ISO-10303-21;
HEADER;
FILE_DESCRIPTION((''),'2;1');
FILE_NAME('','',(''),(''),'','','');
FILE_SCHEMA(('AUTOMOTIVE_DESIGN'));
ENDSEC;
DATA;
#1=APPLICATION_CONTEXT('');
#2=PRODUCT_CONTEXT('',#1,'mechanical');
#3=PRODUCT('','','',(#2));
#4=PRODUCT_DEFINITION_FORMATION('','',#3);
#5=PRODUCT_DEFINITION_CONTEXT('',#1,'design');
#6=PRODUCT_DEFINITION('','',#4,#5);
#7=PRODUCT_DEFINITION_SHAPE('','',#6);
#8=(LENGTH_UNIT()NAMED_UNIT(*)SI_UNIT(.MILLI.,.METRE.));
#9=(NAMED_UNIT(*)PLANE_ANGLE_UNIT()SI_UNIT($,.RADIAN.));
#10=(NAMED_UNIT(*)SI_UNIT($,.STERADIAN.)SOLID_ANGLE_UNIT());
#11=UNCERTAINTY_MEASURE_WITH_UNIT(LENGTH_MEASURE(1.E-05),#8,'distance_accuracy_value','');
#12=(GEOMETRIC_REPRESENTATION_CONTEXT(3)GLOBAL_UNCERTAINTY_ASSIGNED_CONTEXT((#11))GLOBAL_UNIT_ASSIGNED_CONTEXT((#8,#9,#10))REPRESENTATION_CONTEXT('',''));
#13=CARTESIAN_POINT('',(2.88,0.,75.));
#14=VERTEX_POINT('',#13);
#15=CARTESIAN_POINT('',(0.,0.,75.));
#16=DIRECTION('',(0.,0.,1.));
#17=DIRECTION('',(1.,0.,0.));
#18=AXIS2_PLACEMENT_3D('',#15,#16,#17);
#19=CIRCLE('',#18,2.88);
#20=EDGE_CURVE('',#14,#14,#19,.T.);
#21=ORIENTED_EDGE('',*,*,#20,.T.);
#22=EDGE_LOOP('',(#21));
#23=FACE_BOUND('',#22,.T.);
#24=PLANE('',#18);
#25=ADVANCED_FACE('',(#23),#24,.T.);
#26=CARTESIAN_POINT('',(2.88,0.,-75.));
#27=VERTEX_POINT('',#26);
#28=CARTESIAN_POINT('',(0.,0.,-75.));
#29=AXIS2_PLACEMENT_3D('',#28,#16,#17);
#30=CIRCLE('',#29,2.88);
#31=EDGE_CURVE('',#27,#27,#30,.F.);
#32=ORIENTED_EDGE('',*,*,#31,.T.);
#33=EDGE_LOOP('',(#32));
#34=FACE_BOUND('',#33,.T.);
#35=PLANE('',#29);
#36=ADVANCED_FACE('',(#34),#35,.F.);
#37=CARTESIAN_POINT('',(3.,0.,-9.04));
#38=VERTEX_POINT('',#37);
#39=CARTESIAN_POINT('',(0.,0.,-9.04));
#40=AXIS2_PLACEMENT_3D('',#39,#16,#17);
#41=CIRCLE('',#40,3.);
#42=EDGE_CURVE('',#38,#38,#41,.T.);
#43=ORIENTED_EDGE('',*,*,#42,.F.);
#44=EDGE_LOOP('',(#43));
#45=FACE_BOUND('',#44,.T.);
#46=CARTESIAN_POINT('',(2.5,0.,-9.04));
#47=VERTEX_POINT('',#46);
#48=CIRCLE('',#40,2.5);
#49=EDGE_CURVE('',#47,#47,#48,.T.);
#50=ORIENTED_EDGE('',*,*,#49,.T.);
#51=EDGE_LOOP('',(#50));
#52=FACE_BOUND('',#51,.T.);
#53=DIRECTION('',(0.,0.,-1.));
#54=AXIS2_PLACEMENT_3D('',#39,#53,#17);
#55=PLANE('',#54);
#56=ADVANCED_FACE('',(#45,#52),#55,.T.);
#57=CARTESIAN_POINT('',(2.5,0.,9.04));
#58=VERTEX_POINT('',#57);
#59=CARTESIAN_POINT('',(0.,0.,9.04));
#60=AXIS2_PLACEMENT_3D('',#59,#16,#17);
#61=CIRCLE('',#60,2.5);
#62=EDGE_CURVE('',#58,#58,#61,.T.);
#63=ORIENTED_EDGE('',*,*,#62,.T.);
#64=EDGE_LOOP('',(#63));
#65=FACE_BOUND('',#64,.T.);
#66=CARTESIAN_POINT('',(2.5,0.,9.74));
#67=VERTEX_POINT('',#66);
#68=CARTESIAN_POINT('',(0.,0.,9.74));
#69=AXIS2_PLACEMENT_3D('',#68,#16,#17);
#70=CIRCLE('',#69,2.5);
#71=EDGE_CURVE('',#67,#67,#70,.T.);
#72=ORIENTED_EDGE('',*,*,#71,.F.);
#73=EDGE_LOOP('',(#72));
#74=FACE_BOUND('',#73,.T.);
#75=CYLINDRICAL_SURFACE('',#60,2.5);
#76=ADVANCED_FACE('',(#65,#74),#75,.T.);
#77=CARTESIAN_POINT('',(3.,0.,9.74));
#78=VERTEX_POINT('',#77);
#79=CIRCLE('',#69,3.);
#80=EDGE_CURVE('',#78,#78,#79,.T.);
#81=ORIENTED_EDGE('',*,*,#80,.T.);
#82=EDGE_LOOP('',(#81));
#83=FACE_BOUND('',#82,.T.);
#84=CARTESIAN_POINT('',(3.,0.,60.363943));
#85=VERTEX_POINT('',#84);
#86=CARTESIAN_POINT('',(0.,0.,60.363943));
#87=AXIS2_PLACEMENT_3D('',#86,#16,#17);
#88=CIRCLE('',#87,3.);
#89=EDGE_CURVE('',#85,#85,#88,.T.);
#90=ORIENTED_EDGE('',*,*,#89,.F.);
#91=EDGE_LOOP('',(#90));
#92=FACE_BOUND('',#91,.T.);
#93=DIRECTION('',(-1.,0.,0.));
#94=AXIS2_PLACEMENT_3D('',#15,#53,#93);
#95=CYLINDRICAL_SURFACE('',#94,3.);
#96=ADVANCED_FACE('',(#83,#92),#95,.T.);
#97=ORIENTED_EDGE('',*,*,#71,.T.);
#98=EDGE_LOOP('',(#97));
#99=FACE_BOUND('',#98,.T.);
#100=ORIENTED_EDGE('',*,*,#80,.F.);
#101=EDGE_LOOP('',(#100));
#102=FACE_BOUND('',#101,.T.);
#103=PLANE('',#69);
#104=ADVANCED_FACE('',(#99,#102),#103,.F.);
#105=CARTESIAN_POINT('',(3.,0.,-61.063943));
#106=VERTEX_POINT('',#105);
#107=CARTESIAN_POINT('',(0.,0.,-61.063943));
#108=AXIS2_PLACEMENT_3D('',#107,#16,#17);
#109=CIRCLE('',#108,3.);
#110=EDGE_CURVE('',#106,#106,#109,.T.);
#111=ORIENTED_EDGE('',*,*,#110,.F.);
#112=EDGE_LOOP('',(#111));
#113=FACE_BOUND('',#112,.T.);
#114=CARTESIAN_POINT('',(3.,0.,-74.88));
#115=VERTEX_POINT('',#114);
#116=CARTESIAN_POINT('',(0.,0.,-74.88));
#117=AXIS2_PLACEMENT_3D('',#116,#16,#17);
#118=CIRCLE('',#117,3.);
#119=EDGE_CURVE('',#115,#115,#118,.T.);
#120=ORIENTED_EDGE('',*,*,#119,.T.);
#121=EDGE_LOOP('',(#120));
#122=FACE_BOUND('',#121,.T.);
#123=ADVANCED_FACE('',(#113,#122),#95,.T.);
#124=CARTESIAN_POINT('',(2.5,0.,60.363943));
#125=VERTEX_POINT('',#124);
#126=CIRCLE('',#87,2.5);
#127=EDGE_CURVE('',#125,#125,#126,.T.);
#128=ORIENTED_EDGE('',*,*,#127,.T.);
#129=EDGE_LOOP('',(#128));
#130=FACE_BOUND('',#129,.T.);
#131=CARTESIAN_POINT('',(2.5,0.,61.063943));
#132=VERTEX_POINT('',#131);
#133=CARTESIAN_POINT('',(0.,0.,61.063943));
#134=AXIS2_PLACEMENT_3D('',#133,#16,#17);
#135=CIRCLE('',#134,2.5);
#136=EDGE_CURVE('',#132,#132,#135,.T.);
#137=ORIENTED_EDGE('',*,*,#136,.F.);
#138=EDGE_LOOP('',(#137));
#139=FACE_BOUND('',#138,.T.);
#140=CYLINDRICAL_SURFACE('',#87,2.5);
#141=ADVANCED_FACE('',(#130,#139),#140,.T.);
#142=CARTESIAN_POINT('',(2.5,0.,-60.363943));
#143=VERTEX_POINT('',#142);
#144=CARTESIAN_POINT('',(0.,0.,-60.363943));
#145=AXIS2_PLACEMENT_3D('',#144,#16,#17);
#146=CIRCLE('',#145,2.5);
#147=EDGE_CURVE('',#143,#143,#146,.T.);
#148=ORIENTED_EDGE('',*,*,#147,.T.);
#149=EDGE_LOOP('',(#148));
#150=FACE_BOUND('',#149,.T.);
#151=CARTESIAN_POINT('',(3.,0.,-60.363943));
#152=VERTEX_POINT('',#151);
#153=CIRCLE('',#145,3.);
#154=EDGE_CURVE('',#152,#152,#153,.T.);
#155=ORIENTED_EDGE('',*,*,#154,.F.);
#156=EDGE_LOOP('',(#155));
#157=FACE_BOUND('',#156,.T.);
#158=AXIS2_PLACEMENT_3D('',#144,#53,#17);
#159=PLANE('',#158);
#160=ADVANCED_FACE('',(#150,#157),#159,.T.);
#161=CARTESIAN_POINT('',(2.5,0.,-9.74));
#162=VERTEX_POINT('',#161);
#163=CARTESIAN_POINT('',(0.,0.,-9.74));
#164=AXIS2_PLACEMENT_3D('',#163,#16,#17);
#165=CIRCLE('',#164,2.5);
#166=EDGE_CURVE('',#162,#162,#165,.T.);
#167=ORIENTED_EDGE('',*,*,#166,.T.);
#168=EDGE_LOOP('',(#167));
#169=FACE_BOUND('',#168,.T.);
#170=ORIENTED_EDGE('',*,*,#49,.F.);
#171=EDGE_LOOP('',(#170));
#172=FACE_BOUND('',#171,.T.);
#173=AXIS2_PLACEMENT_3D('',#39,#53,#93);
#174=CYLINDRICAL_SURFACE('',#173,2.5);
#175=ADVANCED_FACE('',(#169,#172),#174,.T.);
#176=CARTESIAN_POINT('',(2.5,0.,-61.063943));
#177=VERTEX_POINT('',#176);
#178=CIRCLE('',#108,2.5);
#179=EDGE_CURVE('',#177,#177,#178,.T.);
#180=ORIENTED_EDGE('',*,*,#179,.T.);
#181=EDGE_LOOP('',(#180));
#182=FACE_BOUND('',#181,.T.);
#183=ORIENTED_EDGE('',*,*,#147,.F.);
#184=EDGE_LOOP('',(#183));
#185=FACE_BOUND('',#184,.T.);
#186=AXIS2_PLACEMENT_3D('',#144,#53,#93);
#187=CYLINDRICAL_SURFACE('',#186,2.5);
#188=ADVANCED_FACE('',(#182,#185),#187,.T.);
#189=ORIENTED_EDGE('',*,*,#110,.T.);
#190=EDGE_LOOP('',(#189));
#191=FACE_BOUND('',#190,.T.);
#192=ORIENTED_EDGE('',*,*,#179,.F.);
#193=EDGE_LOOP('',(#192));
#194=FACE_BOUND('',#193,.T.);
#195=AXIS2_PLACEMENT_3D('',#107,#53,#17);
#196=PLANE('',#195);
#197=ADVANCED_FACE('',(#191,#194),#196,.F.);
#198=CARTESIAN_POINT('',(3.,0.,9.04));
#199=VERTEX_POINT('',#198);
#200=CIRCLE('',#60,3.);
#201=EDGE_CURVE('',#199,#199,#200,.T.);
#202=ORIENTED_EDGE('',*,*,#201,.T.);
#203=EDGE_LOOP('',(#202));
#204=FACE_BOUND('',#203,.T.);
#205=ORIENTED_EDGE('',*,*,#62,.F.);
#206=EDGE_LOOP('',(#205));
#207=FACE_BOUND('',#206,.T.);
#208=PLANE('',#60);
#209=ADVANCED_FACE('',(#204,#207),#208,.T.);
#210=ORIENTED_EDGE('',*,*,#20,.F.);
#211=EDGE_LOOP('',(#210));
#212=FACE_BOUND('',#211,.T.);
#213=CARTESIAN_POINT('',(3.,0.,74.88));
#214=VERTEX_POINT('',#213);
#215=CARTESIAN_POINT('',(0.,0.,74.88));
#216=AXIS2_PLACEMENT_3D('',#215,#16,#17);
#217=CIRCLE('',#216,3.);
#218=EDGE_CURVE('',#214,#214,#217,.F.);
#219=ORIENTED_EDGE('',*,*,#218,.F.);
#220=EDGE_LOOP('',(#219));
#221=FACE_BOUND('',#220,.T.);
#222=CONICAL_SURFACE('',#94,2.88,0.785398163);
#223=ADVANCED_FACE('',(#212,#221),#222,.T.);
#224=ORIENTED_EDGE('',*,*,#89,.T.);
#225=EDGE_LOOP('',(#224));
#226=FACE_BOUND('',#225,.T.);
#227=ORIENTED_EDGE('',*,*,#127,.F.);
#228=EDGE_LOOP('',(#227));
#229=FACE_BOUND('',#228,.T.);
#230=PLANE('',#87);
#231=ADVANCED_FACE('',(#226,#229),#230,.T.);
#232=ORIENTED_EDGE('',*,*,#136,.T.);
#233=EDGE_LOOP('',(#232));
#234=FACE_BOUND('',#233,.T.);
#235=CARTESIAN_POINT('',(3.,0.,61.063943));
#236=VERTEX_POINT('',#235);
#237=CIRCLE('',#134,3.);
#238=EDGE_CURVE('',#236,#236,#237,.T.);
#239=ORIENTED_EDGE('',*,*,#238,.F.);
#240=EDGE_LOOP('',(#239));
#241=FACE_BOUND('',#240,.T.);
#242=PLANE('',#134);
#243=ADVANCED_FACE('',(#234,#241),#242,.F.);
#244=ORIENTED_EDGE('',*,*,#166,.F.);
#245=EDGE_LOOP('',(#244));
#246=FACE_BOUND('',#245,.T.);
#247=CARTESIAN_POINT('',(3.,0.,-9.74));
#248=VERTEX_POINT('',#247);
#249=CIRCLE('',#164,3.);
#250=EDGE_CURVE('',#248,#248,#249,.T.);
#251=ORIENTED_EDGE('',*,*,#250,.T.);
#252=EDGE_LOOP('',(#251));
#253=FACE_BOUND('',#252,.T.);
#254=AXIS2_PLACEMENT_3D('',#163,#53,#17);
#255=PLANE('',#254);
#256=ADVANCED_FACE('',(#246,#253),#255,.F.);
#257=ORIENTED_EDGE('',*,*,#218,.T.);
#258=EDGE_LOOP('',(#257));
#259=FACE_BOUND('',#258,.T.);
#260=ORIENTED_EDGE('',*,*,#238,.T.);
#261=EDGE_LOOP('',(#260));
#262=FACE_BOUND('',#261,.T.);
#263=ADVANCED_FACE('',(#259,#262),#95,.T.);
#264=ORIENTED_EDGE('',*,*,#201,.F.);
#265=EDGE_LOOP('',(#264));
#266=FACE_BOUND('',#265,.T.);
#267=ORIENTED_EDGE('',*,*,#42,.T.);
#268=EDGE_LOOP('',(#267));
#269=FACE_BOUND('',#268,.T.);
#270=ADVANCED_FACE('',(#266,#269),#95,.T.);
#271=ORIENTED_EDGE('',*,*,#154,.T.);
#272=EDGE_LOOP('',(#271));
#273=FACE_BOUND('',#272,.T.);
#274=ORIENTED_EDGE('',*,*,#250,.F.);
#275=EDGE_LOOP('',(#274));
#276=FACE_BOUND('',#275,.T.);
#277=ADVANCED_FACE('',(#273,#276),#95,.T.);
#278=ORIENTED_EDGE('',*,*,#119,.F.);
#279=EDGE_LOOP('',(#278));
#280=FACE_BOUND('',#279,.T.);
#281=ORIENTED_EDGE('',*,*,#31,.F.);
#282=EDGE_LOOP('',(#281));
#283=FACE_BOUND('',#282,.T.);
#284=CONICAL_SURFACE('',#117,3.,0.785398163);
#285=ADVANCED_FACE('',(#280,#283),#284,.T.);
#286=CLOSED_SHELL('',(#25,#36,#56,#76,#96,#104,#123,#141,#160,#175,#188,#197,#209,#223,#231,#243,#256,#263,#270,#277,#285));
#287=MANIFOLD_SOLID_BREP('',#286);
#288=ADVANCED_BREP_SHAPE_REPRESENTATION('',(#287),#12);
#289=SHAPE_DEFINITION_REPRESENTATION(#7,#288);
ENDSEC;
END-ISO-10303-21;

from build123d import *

# Parameters (mm, degrees)
SKETCH2_R                = 3
BOSS_EXTRUDE1_DEPTH      = 75
BOSS_EXTRUDE1_DEPTH_BACK = 75
CHAMFER1_SIZE            = 0.12
CUT_EXTRUDE1_START       = -13.936057366
SKETCH3_R                = 3
SKETCH3_R_2              = 2.5
CUT_EXTRUDE1_DEPTH       = 0.7
CUT_EXTRUDE2_START       = -65.26
SKETCH3_2_R              = 3
SKETCH3_2_R_2            = 2.5
CUT_EXTRUDE2_DEPTH       = 0.7


with BuildPart() as part:
    # Sketch2 → Boss-Extrude1 (new body, two sides)
    with BuildSketch(Plane.XY) as boss_extrude1_sk:
        Circle(SKETCH2_R)
    extrude(amount=BOSS_EXTRUDE1_DEPTH)
    extrude(boss_extrude1_sk.sketch, amount=-BOSS_EXTRUDE1_DEPTH_BACK)

    # Chamfer1
    chamfer1_edges = [part.edges().sort_by_distance(p)[0] for p in [
        (-3, 0, -75),
        (-3, 0, 75),
    ]]
    chamfer(chamfer1_edges, length=CHAMFER1_SIZE)

    # Sketch3 → Cut-Extrude1 (cut)
    with BuildSketch(Plane.XY.offset(75).offset(CUT_EXTRUDE1_START)):
        Circle(SKETCH3_R)
        Circle(SKETCH3_R_2, mode=Mode.SUBTRACT)
    cut_extrude1 = extrude(amount=-CUT_EXTRUDE1_DEPTH, mode=Mode.SUBTRACT)

    # Mirror1: Cut-Extrude1 across plane
    add(cut_extrude1.mirror(Plane.XY), mode=Mode.SUBTRACT)

    # Sketch3<2> → Cut-Extrude2 (cut)
    with BuildSketch(Plane.XY.offset(75).offset(CUT_EXTRUDE2_START)):
        Circle(SKETCH3_2_R)
        Circle(SKETCH3_2_R_2, mode=Mode.SUBTRACT)
    cut_extrude2 = extrude(amount=-CUT_EXTRUDE2_DEPTH, mode=Mode.SUBTRACT)

    # Mirror2: Cut-Extrude2 across plane
    add(cut_extrude2.mirror(Plane.XY), mode=Mode.SUBTRACT)


solid = part.part
